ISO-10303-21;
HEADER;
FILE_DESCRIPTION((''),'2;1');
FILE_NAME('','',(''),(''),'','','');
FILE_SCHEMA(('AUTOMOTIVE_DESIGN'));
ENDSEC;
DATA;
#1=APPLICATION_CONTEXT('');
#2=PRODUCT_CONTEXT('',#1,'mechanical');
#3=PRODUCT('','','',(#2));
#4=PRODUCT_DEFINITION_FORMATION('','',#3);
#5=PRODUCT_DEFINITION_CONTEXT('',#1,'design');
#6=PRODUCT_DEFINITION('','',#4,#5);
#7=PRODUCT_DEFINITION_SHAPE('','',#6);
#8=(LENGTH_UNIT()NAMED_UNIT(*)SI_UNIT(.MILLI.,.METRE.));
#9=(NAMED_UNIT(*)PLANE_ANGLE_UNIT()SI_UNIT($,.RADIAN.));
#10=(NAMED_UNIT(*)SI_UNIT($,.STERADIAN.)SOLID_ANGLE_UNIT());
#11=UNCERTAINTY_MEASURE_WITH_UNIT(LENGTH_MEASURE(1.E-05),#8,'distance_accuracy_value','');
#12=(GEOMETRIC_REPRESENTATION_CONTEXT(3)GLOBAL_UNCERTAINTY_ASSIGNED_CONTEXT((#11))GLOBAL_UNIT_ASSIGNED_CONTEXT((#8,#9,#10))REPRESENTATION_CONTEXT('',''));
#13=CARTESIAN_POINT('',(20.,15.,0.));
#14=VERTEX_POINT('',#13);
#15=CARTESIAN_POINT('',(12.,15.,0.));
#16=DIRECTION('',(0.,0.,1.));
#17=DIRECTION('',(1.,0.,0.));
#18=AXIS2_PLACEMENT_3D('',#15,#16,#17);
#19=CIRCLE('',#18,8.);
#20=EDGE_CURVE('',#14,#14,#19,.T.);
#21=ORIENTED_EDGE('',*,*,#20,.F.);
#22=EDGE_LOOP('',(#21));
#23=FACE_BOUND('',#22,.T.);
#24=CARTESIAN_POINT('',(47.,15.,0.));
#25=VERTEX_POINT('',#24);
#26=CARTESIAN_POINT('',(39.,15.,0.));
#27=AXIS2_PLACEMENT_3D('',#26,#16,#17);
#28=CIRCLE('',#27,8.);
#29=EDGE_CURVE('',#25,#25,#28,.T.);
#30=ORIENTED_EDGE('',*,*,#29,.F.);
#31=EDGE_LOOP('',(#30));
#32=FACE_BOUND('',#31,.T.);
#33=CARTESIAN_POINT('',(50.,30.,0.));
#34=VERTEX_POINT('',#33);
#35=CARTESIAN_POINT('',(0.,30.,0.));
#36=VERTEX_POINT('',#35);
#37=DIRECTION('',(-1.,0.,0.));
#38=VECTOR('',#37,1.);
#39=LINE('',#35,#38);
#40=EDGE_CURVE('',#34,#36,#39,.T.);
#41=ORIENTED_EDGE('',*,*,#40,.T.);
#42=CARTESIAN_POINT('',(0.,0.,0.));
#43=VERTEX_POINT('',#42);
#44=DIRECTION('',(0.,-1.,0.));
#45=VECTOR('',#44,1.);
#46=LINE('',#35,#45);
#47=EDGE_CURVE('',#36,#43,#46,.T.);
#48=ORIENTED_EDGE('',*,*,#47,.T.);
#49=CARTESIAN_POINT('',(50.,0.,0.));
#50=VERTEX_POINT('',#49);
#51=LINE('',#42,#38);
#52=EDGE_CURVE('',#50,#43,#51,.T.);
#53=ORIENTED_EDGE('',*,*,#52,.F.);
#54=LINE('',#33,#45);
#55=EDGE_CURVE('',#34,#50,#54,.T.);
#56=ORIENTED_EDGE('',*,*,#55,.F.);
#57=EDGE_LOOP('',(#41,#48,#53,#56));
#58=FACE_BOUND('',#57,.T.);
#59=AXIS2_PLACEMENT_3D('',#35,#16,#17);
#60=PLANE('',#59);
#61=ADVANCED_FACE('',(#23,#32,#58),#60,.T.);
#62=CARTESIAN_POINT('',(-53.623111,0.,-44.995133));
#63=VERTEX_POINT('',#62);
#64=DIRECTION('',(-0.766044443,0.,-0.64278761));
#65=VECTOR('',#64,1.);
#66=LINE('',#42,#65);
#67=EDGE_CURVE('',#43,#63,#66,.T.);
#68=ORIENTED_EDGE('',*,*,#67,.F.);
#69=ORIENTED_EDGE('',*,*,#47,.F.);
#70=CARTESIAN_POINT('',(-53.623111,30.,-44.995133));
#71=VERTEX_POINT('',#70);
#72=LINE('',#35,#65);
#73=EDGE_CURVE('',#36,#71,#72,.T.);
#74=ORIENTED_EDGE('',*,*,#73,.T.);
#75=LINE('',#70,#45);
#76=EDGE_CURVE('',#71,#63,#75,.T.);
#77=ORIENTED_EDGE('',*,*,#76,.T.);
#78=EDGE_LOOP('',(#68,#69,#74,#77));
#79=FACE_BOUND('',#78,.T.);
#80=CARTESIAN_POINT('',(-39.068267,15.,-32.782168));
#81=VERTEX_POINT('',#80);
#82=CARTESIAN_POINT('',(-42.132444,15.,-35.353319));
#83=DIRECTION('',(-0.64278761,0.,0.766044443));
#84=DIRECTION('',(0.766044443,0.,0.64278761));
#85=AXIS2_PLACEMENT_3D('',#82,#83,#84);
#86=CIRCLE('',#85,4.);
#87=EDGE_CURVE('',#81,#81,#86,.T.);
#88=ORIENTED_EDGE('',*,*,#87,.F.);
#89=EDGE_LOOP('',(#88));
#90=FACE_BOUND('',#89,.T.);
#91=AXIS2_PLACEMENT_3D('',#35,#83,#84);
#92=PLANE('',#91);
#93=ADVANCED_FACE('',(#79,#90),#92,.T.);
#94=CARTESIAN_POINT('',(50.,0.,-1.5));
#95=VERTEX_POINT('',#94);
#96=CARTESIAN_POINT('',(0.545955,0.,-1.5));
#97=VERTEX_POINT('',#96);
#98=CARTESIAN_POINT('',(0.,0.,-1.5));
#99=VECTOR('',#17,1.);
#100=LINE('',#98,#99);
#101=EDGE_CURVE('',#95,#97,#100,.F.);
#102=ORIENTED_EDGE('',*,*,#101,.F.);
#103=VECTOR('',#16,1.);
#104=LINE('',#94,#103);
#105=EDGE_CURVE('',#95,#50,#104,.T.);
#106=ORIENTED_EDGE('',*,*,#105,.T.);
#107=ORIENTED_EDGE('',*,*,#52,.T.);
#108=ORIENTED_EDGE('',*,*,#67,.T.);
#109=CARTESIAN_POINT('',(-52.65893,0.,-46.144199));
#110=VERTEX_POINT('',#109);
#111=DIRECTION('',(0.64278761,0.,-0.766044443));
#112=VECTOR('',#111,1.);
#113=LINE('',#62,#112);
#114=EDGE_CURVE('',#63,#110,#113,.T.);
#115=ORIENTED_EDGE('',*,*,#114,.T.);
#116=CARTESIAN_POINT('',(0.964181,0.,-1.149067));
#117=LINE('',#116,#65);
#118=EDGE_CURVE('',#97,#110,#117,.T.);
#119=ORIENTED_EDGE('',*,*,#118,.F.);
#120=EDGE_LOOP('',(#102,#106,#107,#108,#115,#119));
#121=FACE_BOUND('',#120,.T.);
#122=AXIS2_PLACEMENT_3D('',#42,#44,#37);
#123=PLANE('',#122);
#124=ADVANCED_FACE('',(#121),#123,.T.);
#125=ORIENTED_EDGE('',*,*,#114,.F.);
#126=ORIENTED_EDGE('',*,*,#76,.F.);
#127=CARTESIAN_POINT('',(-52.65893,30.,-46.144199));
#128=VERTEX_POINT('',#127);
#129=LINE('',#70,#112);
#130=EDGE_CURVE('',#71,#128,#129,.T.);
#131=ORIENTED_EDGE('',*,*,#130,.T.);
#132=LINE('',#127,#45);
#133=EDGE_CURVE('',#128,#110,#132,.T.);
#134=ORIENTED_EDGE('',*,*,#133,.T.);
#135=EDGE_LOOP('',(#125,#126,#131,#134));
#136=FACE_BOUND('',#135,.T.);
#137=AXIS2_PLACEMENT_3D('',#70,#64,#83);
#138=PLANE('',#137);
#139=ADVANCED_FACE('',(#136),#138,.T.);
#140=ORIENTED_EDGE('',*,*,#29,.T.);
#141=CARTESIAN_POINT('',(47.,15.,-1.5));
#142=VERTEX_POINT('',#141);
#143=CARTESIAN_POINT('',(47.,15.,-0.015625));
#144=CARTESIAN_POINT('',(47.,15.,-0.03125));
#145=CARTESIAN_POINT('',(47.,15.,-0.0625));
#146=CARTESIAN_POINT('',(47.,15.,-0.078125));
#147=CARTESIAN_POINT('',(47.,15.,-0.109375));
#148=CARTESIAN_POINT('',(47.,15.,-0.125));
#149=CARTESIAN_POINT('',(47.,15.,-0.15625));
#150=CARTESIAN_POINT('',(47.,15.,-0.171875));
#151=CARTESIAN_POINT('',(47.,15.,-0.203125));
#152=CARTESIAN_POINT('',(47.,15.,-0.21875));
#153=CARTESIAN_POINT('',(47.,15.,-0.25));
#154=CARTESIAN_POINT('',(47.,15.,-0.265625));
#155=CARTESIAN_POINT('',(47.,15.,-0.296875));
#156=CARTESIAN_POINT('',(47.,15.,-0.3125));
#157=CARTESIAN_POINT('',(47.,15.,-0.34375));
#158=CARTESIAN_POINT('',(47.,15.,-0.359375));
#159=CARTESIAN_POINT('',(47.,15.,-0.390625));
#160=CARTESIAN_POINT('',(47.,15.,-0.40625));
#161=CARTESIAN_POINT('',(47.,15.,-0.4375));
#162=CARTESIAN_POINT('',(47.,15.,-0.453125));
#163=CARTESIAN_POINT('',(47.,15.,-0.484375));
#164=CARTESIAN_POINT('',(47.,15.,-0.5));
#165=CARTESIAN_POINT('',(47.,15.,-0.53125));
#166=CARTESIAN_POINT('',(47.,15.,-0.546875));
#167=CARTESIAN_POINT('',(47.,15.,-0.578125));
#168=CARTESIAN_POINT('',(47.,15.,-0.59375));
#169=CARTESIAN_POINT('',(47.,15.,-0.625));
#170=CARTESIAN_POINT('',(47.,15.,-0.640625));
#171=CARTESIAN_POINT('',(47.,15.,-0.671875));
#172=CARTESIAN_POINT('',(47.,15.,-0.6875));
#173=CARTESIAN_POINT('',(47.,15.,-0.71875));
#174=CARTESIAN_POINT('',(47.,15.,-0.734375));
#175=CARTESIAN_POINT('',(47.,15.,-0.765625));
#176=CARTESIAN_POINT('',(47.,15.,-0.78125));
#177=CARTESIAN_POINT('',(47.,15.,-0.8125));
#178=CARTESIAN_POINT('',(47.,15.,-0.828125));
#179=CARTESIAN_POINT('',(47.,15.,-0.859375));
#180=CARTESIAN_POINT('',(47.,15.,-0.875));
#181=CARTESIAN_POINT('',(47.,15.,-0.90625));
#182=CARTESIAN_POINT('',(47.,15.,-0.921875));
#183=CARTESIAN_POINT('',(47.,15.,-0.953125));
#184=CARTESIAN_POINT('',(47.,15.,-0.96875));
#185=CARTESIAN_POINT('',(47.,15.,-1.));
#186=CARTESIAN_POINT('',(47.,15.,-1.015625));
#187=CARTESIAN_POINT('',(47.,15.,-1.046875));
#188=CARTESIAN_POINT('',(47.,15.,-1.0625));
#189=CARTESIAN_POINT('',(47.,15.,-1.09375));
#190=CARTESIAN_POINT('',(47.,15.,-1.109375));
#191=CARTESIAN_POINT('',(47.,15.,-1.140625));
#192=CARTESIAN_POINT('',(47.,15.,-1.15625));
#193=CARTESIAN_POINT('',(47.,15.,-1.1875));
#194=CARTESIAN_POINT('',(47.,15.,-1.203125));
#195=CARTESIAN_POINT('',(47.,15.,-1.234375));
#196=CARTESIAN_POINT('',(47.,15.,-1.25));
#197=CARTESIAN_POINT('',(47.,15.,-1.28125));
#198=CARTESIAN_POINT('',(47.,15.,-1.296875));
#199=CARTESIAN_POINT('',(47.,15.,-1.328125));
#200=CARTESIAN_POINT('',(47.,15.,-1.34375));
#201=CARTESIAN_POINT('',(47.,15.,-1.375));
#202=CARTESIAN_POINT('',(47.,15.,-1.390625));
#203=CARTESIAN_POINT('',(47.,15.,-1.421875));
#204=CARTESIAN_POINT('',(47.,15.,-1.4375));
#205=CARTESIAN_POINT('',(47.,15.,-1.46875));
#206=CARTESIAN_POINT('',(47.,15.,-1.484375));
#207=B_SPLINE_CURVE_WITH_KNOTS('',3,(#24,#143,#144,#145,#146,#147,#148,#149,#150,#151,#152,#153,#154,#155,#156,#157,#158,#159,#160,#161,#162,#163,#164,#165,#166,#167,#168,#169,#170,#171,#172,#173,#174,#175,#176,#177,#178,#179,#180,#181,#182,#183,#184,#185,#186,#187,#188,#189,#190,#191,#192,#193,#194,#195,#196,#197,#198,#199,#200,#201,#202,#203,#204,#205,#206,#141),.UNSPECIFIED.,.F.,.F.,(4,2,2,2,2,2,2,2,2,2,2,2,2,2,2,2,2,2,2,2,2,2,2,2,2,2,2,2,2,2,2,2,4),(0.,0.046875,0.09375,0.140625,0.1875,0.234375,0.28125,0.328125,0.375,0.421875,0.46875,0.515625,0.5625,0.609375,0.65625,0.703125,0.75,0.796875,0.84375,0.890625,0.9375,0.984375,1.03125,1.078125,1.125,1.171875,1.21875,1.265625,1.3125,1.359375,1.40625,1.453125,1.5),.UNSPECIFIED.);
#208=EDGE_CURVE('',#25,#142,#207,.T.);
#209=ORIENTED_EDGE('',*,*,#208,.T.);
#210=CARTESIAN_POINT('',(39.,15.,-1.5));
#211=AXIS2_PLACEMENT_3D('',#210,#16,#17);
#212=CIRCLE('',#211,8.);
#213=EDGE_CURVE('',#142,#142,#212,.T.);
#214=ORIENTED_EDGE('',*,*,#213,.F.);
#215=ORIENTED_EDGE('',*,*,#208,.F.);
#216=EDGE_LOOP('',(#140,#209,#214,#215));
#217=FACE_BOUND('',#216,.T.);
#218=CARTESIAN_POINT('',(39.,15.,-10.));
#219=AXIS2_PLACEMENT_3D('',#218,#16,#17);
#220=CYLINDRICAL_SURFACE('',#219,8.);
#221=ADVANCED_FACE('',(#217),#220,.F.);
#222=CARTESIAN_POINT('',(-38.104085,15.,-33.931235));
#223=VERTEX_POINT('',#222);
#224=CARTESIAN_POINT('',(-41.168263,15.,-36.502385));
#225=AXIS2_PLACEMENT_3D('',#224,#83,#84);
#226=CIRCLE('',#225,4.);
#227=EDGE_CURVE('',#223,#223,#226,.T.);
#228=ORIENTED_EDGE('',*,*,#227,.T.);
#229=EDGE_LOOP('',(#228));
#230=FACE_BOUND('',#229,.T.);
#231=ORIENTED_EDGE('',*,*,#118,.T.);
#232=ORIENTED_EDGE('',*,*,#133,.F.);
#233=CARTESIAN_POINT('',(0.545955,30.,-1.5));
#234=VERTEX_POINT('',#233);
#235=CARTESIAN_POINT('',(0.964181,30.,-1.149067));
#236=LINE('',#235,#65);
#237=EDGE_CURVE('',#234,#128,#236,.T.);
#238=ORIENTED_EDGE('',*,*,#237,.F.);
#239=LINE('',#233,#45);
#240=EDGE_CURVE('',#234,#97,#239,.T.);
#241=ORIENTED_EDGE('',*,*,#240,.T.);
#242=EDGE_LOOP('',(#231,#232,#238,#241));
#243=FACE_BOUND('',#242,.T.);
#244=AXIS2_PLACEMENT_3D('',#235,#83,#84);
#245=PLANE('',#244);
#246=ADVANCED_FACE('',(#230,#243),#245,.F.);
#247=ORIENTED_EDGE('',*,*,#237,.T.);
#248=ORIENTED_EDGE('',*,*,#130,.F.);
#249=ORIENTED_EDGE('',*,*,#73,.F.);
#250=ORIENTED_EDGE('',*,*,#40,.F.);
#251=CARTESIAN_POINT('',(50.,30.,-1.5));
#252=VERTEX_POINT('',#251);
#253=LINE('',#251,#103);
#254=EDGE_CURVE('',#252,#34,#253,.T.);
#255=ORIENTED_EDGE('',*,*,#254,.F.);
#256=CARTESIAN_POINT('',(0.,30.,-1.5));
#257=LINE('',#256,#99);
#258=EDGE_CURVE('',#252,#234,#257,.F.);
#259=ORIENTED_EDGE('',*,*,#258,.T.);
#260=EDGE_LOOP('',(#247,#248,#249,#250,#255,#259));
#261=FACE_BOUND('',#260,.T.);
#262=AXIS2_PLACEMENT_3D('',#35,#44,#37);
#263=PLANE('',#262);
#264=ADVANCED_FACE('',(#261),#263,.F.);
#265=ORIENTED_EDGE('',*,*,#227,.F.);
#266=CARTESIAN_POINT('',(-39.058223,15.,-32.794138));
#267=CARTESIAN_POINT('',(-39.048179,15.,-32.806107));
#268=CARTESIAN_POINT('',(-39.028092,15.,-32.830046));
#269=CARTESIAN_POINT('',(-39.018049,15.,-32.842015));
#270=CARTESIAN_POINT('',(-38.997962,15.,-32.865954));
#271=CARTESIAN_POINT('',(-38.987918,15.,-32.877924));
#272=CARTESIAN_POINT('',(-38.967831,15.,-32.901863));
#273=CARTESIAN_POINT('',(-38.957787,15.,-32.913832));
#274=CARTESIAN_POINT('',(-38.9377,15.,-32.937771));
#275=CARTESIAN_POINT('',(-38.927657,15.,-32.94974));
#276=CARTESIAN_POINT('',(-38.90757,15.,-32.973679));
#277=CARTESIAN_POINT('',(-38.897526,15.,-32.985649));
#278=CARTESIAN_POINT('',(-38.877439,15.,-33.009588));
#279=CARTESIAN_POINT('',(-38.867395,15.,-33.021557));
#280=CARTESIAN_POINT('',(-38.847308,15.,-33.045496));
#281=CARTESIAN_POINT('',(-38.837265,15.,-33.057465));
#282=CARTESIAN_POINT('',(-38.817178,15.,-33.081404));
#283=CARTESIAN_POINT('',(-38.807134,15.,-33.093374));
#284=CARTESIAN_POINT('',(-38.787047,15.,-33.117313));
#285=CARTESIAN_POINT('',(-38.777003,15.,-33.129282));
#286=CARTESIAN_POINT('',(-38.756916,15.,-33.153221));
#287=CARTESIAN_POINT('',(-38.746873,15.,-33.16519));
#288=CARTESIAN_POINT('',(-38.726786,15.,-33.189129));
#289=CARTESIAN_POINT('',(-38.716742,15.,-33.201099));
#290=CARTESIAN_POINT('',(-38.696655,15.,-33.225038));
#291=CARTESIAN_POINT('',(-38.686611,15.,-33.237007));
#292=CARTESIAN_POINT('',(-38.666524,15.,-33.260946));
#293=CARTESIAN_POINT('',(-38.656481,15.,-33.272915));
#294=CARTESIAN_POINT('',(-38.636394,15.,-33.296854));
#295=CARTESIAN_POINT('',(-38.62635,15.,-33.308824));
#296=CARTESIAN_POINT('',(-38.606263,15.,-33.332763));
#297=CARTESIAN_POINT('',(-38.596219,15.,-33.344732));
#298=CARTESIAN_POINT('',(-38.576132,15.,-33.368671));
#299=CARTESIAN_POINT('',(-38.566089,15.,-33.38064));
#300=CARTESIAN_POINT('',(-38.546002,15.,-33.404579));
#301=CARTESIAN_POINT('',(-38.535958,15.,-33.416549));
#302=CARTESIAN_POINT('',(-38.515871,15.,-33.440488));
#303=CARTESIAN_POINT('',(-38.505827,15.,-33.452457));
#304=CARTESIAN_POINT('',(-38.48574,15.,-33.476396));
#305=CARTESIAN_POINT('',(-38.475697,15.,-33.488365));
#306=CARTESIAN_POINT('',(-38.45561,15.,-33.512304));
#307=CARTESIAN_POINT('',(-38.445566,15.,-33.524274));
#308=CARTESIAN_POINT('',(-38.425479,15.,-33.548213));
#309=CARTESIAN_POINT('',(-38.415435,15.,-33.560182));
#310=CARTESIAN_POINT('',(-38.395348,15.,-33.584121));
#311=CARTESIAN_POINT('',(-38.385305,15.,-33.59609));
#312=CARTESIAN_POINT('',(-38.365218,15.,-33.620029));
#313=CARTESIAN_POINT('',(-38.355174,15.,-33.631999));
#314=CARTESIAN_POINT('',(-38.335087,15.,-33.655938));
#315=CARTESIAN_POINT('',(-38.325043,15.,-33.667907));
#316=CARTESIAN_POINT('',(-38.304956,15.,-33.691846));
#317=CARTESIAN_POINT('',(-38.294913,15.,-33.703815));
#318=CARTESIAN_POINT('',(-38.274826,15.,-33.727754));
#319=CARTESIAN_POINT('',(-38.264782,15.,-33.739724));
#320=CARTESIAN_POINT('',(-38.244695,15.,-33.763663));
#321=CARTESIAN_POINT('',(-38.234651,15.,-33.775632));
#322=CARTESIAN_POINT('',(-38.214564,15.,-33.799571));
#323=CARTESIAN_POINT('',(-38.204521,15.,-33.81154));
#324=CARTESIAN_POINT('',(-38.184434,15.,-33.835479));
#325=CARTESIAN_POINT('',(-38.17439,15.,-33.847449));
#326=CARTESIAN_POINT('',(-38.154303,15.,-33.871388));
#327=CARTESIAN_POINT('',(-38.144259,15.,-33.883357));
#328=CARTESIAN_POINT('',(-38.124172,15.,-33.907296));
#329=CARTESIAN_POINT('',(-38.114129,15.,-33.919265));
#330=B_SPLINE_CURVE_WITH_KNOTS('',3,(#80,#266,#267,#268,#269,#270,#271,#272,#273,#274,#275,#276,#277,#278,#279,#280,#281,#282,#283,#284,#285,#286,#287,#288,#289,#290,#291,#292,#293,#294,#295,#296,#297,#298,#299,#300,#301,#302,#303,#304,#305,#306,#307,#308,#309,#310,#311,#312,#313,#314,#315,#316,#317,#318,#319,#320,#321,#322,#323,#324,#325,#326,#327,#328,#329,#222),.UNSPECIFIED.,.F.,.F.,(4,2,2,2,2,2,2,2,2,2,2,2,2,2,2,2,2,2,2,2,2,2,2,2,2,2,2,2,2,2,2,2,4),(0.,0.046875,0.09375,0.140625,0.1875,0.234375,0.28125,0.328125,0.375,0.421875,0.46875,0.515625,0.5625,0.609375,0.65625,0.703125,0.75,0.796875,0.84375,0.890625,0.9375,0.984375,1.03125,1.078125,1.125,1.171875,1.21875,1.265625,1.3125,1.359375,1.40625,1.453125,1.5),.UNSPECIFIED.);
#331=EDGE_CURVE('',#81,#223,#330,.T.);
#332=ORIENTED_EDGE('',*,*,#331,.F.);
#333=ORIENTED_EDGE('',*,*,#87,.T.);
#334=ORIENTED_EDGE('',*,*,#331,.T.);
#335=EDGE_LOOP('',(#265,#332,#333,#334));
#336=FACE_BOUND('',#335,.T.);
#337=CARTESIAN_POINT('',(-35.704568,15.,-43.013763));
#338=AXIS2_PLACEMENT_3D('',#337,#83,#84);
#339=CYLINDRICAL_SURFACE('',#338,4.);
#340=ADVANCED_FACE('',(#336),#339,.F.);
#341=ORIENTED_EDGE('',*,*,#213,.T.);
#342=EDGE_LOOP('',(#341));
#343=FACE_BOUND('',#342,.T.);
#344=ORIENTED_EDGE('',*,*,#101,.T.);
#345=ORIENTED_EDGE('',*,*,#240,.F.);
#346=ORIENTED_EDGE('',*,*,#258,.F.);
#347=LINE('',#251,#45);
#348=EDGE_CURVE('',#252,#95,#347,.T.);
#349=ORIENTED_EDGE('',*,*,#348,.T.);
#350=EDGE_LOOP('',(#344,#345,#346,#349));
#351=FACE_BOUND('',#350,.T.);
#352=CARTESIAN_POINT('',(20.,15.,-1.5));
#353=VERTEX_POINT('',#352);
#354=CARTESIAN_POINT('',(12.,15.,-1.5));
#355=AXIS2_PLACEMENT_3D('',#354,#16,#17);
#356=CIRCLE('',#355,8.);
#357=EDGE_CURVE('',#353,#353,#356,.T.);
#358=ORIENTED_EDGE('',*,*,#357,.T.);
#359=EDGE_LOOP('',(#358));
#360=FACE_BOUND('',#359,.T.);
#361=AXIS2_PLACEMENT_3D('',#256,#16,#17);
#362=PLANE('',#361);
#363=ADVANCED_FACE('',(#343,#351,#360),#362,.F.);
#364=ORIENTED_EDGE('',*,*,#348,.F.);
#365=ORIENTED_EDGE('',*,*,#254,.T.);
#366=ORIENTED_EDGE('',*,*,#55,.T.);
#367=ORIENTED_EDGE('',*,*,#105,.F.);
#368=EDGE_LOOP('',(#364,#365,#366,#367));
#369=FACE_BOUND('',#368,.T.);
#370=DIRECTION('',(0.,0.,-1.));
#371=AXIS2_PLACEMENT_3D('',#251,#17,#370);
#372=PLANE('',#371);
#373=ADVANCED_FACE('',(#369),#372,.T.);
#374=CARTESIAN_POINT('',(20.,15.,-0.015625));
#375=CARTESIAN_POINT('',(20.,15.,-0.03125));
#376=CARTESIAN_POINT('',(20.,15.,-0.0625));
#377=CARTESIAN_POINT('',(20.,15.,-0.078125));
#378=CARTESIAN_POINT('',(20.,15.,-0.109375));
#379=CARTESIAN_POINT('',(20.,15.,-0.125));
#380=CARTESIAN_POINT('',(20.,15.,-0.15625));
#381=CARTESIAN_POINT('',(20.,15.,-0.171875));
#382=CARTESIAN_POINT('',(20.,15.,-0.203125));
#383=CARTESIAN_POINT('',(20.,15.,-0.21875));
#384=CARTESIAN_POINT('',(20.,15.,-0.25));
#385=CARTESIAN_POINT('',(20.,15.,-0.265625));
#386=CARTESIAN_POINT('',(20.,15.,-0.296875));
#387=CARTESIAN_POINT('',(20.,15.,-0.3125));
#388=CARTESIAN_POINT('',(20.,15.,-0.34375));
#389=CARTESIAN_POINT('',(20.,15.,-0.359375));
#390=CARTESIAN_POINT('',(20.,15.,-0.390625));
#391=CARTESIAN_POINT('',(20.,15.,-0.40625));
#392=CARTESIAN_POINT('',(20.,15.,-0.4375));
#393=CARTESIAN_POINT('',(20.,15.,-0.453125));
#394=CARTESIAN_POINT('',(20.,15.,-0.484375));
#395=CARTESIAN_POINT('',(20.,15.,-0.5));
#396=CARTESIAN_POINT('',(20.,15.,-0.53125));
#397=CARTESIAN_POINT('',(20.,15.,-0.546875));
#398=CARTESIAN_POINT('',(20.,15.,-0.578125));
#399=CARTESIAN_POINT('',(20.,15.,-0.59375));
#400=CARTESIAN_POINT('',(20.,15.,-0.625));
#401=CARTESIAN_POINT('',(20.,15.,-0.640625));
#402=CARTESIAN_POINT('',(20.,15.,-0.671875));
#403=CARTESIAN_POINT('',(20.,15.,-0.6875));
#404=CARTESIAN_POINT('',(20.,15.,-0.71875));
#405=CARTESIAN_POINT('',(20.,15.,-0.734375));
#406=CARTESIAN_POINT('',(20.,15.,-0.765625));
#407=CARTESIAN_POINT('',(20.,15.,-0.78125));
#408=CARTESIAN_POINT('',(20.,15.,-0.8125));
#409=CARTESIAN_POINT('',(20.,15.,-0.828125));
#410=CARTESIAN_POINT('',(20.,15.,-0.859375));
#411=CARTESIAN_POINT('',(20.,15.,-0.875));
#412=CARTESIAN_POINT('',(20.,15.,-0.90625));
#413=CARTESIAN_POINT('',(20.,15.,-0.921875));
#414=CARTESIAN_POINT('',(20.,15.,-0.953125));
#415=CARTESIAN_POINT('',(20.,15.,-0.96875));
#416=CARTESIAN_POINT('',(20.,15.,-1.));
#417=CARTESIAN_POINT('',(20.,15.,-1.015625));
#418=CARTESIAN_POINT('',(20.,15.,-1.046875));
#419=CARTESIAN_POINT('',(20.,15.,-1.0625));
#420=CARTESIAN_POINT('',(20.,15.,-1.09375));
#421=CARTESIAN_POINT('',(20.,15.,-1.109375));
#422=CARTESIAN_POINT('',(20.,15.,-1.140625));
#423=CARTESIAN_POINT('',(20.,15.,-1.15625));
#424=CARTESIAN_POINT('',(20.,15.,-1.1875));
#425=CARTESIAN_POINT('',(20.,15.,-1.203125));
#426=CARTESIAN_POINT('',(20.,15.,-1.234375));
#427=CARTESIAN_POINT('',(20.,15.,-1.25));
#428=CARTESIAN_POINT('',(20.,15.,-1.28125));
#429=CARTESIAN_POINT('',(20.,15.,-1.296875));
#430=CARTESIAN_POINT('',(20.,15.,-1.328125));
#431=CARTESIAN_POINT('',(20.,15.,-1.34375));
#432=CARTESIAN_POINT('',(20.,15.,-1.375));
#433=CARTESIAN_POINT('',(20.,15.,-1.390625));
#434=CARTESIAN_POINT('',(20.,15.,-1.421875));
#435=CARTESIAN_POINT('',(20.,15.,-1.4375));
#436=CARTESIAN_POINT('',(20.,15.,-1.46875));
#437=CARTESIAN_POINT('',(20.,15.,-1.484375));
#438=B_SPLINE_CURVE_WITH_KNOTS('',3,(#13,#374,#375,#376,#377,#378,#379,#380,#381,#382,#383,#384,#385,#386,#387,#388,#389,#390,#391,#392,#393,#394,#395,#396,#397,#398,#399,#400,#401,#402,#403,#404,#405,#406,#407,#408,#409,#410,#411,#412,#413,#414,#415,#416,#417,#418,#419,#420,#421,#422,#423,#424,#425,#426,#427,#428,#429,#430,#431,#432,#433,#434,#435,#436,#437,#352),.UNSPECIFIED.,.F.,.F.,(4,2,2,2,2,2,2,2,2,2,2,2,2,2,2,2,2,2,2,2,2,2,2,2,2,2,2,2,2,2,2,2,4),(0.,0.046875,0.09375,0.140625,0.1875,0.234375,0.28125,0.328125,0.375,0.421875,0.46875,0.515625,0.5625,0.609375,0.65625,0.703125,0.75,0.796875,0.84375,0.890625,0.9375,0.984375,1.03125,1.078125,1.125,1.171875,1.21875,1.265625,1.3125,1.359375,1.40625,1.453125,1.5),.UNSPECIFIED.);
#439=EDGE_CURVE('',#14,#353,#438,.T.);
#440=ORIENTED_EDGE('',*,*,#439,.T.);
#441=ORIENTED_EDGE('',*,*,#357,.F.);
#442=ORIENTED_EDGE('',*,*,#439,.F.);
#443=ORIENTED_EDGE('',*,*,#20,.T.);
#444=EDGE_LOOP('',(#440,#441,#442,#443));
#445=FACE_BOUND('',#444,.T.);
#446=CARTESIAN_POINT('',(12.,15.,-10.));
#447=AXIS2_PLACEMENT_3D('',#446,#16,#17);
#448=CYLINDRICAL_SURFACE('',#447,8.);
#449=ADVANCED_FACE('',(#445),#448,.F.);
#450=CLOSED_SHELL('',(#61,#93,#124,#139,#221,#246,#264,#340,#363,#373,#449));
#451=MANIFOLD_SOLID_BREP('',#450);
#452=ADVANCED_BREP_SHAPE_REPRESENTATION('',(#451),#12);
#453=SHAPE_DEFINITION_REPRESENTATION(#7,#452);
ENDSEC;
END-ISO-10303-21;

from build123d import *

# Parameters (mm, degrees)
EXTRUDE_THIN1_DEPTH = 30
SKETCH2_R           = 4
CUT_EXTRUDE1_DEPTH  = 10
SKETCH3_R           = 8
CUT_EXTRUDE2_DEPTH  = 10


with BuildPart() as part:
    # Sketch1 → Extrude-Thin1 (new body)
    with BuildSketch(Plane(origin=(0, 0, 0), x_dir=(1, 0, 0), z_dir=(0, 1, 0))):
        Polygon((-53.623111018, 44.995132678), (0, 0), (50, 0), (50, 1.5), (0.545955351, 1.5), (-52.658929604, 46.144199343), align=None)
    extrude(amount=EXTRUDE_THIN1_DEPTH)

    # Sketch2 → Cut-Extrude1 (cut)
    with BuildSketch(Plane(origin=(0, 0, 0), x_dir=(0.7660444431189818, 0, 0.6427876096865349), z_dir=(-0.6427876096865348, 0, 0.7660444431189817))):
        with Locations((-55, 15)):
            Circle(SKETCH2_R)
    extrude(amount=-CUT_EXTRUDE1_DEPTH, mode=Mode.SUBTRACT)

    # Sketch3 → Cut-Extrude2 (cut)
    with BuildSketch(Plane.XY):
        with Locations((12, 15)):
            Circle(SKETCH3_R)
        with Locations((39, 15)):
            Circle(SKETCH3_R)
    extrude(amount=-CUT_EXTRUDE2_DEPTH, mode=Mode.SUBTRACT)


solid = part.part
